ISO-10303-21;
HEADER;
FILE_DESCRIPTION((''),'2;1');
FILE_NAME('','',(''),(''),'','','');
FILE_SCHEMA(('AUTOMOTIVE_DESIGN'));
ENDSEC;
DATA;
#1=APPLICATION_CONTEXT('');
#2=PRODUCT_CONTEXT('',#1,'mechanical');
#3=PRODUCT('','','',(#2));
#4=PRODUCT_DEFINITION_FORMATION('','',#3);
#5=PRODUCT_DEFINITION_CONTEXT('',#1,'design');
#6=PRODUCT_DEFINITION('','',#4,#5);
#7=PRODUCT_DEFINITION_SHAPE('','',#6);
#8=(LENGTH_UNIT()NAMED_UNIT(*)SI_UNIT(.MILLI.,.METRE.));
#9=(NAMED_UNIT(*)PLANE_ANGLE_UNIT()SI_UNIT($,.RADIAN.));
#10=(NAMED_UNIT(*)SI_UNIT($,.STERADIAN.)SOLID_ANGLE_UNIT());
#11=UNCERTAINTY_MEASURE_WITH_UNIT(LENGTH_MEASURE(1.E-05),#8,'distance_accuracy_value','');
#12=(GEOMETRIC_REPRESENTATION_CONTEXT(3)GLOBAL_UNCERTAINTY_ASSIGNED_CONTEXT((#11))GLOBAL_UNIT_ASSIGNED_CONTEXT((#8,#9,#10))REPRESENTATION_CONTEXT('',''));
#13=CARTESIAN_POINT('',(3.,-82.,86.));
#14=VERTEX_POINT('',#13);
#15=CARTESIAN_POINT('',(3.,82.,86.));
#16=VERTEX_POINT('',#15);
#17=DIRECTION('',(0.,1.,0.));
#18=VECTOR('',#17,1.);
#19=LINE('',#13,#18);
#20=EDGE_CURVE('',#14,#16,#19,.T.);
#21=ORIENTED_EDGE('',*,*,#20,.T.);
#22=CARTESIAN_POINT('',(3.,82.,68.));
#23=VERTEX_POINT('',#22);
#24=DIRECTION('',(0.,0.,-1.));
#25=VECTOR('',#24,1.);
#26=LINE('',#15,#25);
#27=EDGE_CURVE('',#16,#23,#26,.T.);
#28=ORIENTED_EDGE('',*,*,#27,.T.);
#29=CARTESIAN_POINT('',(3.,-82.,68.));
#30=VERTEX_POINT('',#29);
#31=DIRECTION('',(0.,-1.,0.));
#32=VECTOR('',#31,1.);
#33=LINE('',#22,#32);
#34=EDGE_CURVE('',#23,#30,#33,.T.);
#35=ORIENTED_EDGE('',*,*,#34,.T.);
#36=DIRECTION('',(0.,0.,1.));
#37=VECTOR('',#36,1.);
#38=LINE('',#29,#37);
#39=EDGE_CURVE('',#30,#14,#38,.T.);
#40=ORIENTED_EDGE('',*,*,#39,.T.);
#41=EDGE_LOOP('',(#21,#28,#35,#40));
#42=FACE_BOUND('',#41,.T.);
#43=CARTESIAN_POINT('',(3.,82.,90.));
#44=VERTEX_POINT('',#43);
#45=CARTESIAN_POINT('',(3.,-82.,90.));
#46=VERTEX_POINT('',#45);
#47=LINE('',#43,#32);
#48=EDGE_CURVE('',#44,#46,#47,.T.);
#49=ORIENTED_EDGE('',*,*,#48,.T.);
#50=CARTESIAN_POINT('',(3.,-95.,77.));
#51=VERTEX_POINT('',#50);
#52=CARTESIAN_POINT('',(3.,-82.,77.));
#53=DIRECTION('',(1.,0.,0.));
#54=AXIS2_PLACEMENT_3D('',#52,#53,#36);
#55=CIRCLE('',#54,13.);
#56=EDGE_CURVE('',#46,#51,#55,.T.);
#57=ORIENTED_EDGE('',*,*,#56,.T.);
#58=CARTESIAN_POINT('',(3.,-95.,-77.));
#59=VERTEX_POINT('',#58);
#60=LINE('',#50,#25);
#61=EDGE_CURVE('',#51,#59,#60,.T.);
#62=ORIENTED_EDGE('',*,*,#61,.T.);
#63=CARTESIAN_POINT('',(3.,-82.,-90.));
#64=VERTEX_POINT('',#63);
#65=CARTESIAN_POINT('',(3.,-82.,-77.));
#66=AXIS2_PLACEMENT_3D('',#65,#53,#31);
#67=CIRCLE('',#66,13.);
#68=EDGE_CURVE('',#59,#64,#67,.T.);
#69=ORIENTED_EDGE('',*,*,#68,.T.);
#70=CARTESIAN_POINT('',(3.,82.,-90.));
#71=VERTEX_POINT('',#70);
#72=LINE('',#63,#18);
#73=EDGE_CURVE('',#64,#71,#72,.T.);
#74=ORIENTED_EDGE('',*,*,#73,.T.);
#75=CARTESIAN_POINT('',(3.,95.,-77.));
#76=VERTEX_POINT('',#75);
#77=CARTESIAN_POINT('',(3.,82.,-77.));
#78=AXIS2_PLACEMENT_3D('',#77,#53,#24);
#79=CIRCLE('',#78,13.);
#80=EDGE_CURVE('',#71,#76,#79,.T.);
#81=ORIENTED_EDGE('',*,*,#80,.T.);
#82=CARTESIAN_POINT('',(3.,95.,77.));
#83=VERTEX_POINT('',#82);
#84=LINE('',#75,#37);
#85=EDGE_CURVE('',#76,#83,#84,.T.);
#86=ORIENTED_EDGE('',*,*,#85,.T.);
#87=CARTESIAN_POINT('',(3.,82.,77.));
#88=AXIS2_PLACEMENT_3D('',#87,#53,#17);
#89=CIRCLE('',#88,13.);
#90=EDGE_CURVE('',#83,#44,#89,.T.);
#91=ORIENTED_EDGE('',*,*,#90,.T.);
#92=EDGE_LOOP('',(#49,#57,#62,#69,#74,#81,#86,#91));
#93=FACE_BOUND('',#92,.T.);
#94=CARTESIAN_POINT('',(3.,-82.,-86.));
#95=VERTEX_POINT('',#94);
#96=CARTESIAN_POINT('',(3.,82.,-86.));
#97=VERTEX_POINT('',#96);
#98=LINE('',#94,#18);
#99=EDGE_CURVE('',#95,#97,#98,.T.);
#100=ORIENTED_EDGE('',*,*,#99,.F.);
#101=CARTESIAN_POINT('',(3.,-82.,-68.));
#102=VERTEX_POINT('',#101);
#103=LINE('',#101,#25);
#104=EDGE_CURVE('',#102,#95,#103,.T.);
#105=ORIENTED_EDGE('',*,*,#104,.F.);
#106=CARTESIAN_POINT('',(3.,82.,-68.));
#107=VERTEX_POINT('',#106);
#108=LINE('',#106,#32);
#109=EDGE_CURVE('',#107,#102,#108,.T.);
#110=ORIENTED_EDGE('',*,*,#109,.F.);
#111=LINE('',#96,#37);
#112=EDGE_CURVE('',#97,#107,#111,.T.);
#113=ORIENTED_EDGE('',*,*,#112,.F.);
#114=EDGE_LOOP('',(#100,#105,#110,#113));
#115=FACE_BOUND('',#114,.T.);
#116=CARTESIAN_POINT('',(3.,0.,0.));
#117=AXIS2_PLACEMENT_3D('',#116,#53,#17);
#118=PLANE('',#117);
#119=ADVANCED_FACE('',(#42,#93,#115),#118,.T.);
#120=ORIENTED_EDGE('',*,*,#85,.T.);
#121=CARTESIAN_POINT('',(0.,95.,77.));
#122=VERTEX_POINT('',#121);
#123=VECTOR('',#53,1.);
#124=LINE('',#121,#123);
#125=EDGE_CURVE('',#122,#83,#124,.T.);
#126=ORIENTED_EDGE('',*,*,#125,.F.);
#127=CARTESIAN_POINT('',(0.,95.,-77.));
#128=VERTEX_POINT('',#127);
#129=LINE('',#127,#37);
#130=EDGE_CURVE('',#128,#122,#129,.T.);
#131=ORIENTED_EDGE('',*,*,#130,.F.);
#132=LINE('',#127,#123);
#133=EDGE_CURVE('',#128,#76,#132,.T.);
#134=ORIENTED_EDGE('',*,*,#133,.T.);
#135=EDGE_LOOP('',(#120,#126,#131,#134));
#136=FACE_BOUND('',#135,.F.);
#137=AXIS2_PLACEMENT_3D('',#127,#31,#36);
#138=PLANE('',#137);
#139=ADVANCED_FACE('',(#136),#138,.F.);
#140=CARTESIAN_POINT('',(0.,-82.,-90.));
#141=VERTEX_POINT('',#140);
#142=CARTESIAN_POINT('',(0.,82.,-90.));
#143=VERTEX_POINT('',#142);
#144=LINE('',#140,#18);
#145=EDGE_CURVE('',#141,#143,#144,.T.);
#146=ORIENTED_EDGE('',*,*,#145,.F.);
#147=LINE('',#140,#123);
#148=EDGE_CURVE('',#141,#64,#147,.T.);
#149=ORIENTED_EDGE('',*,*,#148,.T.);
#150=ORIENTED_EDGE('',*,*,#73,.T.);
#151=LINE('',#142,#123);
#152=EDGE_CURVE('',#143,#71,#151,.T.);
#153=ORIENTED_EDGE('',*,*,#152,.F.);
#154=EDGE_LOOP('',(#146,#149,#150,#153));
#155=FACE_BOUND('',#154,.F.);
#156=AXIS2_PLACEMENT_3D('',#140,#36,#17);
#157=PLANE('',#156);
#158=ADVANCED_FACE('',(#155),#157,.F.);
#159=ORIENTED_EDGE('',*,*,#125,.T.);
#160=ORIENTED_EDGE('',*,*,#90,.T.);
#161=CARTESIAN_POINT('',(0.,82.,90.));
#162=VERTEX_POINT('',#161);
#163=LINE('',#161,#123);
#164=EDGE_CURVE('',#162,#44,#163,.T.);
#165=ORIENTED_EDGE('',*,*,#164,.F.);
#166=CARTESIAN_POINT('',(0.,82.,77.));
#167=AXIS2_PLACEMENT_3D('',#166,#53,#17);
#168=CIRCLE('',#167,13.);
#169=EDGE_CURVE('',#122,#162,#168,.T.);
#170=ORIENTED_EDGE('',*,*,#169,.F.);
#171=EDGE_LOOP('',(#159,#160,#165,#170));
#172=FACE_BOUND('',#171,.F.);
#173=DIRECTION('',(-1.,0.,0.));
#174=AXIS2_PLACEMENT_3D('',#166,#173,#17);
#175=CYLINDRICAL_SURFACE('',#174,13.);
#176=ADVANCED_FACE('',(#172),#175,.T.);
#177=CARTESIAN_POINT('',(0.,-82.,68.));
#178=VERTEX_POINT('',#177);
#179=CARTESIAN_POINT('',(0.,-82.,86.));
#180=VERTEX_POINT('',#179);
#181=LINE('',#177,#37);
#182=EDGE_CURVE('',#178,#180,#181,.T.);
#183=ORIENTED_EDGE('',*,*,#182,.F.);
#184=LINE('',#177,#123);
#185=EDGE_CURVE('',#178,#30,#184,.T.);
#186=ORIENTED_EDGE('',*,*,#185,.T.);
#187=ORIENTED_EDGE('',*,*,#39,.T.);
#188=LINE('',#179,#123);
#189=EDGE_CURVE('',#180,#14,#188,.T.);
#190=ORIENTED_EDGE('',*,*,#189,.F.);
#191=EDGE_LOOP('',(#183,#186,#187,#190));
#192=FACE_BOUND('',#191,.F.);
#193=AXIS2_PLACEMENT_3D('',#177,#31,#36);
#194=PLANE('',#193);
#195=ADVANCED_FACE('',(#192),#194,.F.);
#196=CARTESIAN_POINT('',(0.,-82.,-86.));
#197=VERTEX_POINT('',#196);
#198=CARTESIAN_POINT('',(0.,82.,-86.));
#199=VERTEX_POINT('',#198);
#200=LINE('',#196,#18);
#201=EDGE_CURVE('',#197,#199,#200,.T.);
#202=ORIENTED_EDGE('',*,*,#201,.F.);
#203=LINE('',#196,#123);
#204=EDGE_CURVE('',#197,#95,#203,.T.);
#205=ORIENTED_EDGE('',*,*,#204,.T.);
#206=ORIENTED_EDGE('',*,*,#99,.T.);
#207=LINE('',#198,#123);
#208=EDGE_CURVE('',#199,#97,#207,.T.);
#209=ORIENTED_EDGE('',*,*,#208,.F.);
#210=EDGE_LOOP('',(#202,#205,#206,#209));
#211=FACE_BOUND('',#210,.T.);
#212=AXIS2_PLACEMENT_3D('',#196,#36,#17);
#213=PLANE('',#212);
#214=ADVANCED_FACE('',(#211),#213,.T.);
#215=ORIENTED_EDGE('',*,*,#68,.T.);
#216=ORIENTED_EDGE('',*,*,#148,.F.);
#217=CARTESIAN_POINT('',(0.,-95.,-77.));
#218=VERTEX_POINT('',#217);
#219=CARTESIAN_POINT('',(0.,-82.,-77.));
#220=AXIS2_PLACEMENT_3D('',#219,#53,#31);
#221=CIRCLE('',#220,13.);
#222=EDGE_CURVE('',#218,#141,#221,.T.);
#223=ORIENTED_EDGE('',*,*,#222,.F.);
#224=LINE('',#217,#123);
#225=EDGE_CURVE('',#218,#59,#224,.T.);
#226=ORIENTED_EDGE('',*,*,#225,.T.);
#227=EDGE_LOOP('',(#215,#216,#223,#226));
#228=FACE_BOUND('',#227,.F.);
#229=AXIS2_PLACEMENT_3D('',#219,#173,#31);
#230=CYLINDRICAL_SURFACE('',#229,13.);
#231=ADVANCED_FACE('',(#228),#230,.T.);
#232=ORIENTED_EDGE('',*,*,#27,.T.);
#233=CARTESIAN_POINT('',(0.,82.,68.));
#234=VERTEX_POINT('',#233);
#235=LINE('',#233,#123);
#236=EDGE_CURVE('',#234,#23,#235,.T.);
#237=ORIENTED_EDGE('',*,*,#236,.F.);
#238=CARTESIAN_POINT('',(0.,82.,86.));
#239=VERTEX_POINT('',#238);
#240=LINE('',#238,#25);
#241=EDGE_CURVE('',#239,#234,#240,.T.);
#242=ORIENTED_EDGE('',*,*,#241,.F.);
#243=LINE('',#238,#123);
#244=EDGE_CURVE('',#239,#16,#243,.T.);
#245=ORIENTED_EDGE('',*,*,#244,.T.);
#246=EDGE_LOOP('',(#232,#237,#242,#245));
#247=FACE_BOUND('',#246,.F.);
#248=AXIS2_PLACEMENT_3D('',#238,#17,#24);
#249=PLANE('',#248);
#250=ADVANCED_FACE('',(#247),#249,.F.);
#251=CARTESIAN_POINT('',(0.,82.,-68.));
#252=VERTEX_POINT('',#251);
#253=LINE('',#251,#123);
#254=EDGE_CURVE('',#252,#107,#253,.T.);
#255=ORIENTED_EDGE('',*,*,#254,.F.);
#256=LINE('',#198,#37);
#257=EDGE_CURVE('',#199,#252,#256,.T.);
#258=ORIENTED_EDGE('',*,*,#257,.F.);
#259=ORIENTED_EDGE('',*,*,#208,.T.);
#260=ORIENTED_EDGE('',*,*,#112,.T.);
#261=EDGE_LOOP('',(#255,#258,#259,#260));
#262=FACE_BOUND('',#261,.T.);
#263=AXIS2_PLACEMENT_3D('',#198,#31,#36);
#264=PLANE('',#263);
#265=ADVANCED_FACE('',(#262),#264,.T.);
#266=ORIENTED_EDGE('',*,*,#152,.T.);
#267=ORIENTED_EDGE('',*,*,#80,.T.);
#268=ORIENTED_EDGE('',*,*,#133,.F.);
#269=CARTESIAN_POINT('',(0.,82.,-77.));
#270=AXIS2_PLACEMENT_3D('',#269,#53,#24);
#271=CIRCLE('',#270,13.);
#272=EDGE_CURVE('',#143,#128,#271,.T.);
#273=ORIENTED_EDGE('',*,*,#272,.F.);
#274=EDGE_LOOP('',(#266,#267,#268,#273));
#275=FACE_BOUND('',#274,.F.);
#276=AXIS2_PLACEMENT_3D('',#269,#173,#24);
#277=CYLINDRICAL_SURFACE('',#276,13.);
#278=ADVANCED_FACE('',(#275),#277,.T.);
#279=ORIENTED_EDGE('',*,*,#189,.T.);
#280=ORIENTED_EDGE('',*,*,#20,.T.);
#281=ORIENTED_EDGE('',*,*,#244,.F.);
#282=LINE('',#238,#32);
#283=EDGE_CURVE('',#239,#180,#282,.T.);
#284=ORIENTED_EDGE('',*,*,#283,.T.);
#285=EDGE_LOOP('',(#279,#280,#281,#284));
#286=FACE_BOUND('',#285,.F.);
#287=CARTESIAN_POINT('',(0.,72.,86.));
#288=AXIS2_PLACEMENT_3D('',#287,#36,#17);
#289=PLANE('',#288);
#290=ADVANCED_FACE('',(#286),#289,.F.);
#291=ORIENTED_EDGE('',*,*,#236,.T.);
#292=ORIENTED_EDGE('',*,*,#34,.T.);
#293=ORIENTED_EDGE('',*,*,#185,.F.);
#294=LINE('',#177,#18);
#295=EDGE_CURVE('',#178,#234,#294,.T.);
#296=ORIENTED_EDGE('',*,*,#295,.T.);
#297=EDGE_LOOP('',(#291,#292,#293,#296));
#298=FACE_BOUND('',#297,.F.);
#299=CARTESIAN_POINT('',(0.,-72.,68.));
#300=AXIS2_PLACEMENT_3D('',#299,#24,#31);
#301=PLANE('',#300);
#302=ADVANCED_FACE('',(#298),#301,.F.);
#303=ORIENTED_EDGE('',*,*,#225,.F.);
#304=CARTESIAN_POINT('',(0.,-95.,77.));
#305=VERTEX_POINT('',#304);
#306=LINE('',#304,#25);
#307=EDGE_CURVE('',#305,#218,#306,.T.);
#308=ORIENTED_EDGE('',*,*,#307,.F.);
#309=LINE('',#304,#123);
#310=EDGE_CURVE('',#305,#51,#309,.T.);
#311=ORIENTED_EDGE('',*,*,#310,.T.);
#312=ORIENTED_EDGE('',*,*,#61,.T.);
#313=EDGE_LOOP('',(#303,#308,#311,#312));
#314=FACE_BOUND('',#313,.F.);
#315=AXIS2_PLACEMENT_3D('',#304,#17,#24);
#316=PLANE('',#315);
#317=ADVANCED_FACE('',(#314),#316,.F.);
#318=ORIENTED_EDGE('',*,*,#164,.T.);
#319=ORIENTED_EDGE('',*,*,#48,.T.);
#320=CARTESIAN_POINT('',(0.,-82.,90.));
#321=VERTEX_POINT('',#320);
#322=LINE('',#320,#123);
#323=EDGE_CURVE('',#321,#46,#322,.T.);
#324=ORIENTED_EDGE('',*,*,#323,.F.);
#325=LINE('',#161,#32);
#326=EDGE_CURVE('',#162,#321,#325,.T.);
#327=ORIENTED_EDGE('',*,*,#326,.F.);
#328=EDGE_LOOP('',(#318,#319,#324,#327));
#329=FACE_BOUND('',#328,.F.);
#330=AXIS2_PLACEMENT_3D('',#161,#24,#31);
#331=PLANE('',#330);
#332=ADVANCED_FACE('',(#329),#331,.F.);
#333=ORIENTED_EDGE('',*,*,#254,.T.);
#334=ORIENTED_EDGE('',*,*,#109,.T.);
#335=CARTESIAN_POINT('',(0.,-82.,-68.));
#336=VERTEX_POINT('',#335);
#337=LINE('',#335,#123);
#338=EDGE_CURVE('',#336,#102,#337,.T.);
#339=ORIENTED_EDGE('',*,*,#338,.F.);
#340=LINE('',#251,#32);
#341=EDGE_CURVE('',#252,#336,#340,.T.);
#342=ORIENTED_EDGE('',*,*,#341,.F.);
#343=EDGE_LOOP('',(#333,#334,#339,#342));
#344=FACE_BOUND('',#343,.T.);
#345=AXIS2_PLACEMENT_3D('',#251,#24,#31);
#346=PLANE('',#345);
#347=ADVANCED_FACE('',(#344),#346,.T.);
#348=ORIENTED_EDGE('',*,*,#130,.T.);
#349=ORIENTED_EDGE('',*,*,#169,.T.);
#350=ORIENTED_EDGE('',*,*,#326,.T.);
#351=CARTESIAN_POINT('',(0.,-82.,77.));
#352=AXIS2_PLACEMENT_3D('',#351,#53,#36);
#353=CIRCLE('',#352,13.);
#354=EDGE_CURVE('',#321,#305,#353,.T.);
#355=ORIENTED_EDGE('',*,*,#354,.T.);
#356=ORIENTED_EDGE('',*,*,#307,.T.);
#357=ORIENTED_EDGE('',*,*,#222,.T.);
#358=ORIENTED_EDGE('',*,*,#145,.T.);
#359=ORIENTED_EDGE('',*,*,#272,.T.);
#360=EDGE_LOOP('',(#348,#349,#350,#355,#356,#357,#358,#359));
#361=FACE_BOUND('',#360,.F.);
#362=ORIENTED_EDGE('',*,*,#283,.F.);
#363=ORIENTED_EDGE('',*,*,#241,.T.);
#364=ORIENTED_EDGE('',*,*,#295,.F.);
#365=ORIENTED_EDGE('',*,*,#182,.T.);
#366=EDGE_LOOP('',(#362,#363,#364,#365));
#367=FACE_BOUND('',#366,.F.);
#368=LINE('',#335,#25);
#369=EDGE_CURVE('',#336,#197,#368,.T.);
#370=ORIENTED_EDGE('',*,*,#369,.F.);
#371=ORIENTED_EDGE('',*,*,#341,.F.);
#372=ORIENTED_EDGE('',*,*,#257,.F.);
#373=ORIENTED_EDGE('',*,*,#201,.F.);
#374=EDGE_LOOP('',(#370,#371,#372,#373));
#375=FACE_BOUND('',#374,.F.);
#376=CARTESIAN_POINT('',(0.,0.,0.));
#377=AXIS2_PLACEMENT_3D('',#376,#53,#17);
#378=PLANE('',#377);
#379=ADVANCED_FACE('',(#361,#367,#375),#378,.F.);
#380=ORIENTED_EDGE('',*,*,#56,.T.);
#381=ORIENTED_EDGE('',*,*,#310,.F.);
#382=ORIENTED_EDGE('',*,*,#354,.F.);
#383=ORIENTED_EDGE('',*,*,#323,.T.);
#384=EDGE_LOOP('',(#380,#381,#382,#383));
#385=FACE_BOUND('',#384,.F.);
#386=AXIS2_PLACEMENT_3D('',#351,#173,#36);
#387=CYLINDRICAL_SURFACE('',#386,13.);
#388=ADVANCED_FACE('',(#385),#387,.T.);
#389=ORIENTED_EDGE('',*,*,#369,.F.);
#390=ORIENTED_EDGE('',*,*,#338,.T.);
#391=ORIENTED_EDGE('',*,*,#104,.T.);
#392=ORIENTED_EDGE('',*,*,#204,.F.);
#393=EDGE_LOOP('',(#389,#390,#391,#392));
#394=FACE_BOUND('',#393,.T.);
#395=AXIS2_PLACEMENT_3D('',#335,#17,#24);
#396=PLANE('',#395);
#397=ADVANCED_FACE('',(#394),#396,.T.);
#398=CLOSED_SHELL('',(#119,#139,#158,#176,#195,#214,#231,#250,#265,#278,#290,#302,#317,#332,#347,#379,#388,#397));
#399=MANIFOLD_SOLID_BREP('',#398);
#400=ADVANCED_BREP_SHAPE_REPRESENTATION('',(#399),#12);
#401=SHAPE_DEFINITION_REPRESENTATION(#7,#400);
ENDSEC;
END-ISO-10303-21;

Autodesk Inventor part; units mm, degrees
ref_plane "YZ Plane" through (0, 0, 0) normal (1, 0, 0) x (0, 1, 0)
sketch "Эскиз1" plane through (0, 0, 0) normal (1, 0, 0) x (0, 1, 0)
  line L0 (95, -77) -> (95, 77)
  line L1 (82, 90) -> (-82, 90)
  line L2 (-95, 77) -> (-95, -77)
  line L3 (-82, -90) -> (82, -90)
  arc A0 (82, -90) -> (95, -77) centre (82, -77) ccw
  arc A1 (-95, -77) -> (-82, -90) centre (-82, -77) ccw
  arc A2 (-82, 90) -> (-95, 77) centre (-82, 77) ccw
  arc A3 (95, 77) -> (82, 90) centre (82, 77) ccw
  line L4 (-82, 90) -> (82, 90)
  line L5 (82, 68) -> (-82, 68)
  line L6 (-82, 68) -> (-82, 86)
  line L7 (-82, 86) -> (82, 86)
  line L8 (-82, -90) -> (82, -90)
  line L9 (82, -86) -> (82, -68)
  line L10 (82, -68) -> (-82, -68)
  line L11 (-82, -68) -> (-82, -86)
  line L12 (-82, -86) -> (82, -86)
  line L13 (82, 86) -> (82, 68)
  line L14 (82, 68) -> (72, 68)
  line L15 (72, 86) -> (82, 86)
  line L16 (-82, 68) -> (-72, 68)
  line L17 (-72, 68) -> (-72, 86)
  line L18 (-72, 86) -> (-82, 86)
  line L19 (-82, 86) -> (-82, 68)
  line L20 (-72, 86) -> (-68.8341, 86)
  line L21 (-68.8341, 86) -> (-68.8341, 84.5)
  line L22 (-68.8341, 84.5) -> (-72, 84.5)
  line L23 (-72, 84.5) -> (-72, 86)
  line L24 (-72, 84.5) -> (-12, 84.5)
  line L25 (-12, 84.5) -> (-12, 69.5)
  line L26 (-12, 69.5) -> (-72, 69.5)
  line L27 (-72, 69.5) -> (-72, 84.5)
  line L28 (82, 86) -> (72, 86)
  line L29 (72, 86) -> (72, 68)
  line L30 (72, 68) -> (82, 68)
  line L31 (82, 68) -> (82, 86)
  line L32 (72, 84.5) -> (12, 84.5)
  line L33 (12, 84.5) -> (12, 69.5)
  line L34 (12, 69.5) -> (72, 69.5)
  line L35 (72, 69.5) -> (72, 84.5)
  line L36 (-42, 68) -> (-54.5, 68)
  line L37 (-54.5, 8) -> (-29.5, 8)
  line L38 (-29.5, 8) -> (-29.5, 68)
  line L39 (-29.5, 68) -> (-54.5, 68)
  line L40 (-54.5, 68) -> (-54.5, 8)
  point P0 (0, 0)
  point P1 (-95, 90)
  point P2 (95, 90)
  point P3 (-95, -90)
  dimension "d6" = 180
  dimension "d7" = 190
  dimension "d8" = 13
  dimension "d9" = 13
  dimension "d11" = 18
  dimension "d19" = 10
  dimension "d20" = 1.5
  dimension "d21" = 60
  dimension "d22" = 15
  dimension "d23" = 10
  dimension "d24" = 60
  dimension "d26" = 60
  dimension "d27" = 25
extrude "Выдавливание1" add sketch "Эскиз1" along normal blind 3 contours A0 L3 A1 L2 A2 L1 A3 L0 | L38 L37 L40 L5
properties part number "основа_прототип"
